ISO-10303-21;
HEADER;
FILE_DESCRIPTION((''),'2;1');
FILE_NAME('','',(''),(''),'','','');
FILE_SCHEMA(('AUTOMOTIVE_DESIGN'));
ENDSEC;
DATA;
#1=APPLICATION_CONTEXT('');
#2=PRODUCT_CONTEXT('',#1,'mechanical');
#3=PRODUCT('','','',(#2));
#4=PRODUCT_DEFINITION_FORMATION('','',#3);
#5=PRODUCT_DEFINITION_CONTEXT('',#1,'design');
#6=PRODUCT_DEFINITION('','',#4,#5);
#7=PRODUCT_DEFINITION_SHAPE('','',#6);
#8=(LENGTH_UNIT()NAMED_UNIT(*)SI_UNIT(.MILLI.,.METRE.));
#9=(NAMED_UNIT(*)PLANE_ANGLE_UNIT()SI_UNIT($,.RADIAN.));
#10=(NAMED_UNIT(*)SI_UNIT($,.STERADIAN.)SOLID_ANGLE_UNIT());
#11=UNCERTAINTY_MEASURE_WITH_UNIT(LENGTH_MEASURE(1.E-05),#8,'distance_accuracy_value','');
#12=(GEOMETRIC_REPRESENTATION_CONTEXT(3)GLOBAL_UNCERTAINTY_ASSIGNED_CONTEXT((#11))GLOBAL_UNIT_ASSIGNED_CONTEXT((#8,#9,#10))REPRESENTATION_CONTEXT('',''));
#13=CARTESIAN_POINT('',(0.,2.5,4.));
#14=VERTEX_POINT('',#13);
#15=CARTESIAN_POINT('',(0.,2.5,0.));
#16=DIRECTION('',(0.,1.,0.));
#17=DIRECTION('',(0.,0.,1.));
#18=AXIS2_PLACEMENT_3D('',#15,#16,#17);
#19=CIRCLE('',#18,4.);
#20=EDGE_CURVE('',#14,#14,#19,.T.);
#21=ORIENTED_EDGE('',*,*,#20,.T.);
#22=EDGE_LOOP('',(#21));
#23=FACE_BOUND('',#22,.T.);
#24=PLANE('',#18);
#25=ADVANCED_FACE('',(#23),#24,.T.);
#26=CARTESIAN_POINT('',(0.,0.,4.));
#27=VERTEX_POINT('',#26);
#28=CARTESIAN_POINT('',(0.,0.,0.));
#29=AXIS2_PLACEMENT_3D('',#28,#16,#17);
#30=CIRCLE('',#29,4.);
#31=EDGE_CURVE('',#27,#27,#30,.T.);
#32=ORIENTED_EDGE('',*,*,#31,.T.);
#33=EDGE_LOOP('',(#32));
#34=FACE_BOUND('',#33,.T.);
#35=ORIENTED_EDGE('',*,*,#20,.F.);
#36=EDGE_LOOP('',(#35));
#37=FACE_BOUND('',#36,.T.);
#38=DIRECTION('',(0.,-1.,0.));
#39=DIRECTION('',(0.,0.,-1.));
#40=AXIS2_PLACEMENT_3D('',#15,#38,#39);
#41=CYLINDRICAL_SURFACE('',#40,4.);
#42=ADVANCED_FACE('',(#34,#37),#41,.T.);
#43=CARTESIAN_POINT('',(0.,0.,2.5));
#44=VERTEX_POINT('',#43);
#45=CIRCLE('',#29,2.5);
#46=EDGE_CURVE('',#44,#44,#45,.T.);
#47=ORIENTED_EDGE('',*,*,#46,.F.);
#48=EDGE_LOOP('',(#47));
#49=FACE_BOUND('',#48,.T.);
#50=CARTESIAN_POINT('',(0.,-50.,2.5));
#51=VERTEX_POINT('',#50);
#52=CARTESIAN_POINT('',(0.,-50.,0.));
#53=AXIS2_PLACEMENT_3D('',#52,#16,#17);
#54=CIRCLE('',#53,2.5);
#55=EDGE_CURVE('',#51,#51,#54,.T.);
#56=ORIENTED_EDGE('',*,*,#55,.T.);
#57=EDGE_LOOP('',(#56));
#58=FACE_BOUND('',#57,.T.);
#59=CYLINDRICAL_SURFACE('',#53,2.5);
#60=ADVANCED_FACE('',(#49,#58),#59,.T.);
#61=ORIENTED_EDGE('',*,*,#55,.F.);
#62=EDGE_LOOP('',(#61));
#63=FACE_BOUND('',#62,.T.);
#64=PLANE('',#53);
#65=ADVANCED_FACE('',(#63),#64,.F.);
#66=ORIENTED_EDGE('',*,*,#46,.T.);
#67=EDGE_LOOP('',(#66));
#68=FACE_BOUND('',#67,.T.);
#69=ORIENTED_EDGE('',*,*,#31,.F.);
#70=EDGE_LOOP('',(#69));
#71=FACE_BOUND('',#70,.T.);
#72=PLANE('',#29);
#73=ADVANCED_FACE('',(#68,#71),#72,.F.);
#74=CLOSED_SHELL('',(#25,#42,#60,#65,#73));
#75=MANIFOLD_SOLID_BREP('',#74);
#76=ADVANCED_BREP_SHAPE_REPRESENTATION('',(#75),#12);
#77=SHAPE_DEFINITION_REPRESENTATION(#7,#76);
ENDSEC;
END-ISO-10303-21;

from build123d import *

# Parameters (mm, degrees)
ESQUISSE1_R     = 2.5
BASE_DEPTH      = 50
ESQUISSE2_R     = 4
BOSS_TETE_DEPTH = 2.5


with BuildPart() as part:
    # Esquisse1 → BASE (new body)
    with BuildSketch(Plane(origin=(0, 0, 0), x_dir=(1, 0, 0), z_dir=(0, 1, 0))):
        with Locations(Location((0, 0, 0), (0, 0, 270))):
            Circle(ESQUISSE1_R)
    extrude(amount=-BASE_DEPTH)

    # Esquisse2 → BOSS TETE (add)
    with BuildSketch(Plane(origin=(0, 0, 0), x_dir=(1, 0, 0), z_dir=(0, 1, 0))):
        with Locations(Location((0, 0, 0), (0, 0, 270))):
            Circle(ESQUISSE2_R)
    extrude(amount=BOSS_TETE_DEPTH)


solid = part.part
